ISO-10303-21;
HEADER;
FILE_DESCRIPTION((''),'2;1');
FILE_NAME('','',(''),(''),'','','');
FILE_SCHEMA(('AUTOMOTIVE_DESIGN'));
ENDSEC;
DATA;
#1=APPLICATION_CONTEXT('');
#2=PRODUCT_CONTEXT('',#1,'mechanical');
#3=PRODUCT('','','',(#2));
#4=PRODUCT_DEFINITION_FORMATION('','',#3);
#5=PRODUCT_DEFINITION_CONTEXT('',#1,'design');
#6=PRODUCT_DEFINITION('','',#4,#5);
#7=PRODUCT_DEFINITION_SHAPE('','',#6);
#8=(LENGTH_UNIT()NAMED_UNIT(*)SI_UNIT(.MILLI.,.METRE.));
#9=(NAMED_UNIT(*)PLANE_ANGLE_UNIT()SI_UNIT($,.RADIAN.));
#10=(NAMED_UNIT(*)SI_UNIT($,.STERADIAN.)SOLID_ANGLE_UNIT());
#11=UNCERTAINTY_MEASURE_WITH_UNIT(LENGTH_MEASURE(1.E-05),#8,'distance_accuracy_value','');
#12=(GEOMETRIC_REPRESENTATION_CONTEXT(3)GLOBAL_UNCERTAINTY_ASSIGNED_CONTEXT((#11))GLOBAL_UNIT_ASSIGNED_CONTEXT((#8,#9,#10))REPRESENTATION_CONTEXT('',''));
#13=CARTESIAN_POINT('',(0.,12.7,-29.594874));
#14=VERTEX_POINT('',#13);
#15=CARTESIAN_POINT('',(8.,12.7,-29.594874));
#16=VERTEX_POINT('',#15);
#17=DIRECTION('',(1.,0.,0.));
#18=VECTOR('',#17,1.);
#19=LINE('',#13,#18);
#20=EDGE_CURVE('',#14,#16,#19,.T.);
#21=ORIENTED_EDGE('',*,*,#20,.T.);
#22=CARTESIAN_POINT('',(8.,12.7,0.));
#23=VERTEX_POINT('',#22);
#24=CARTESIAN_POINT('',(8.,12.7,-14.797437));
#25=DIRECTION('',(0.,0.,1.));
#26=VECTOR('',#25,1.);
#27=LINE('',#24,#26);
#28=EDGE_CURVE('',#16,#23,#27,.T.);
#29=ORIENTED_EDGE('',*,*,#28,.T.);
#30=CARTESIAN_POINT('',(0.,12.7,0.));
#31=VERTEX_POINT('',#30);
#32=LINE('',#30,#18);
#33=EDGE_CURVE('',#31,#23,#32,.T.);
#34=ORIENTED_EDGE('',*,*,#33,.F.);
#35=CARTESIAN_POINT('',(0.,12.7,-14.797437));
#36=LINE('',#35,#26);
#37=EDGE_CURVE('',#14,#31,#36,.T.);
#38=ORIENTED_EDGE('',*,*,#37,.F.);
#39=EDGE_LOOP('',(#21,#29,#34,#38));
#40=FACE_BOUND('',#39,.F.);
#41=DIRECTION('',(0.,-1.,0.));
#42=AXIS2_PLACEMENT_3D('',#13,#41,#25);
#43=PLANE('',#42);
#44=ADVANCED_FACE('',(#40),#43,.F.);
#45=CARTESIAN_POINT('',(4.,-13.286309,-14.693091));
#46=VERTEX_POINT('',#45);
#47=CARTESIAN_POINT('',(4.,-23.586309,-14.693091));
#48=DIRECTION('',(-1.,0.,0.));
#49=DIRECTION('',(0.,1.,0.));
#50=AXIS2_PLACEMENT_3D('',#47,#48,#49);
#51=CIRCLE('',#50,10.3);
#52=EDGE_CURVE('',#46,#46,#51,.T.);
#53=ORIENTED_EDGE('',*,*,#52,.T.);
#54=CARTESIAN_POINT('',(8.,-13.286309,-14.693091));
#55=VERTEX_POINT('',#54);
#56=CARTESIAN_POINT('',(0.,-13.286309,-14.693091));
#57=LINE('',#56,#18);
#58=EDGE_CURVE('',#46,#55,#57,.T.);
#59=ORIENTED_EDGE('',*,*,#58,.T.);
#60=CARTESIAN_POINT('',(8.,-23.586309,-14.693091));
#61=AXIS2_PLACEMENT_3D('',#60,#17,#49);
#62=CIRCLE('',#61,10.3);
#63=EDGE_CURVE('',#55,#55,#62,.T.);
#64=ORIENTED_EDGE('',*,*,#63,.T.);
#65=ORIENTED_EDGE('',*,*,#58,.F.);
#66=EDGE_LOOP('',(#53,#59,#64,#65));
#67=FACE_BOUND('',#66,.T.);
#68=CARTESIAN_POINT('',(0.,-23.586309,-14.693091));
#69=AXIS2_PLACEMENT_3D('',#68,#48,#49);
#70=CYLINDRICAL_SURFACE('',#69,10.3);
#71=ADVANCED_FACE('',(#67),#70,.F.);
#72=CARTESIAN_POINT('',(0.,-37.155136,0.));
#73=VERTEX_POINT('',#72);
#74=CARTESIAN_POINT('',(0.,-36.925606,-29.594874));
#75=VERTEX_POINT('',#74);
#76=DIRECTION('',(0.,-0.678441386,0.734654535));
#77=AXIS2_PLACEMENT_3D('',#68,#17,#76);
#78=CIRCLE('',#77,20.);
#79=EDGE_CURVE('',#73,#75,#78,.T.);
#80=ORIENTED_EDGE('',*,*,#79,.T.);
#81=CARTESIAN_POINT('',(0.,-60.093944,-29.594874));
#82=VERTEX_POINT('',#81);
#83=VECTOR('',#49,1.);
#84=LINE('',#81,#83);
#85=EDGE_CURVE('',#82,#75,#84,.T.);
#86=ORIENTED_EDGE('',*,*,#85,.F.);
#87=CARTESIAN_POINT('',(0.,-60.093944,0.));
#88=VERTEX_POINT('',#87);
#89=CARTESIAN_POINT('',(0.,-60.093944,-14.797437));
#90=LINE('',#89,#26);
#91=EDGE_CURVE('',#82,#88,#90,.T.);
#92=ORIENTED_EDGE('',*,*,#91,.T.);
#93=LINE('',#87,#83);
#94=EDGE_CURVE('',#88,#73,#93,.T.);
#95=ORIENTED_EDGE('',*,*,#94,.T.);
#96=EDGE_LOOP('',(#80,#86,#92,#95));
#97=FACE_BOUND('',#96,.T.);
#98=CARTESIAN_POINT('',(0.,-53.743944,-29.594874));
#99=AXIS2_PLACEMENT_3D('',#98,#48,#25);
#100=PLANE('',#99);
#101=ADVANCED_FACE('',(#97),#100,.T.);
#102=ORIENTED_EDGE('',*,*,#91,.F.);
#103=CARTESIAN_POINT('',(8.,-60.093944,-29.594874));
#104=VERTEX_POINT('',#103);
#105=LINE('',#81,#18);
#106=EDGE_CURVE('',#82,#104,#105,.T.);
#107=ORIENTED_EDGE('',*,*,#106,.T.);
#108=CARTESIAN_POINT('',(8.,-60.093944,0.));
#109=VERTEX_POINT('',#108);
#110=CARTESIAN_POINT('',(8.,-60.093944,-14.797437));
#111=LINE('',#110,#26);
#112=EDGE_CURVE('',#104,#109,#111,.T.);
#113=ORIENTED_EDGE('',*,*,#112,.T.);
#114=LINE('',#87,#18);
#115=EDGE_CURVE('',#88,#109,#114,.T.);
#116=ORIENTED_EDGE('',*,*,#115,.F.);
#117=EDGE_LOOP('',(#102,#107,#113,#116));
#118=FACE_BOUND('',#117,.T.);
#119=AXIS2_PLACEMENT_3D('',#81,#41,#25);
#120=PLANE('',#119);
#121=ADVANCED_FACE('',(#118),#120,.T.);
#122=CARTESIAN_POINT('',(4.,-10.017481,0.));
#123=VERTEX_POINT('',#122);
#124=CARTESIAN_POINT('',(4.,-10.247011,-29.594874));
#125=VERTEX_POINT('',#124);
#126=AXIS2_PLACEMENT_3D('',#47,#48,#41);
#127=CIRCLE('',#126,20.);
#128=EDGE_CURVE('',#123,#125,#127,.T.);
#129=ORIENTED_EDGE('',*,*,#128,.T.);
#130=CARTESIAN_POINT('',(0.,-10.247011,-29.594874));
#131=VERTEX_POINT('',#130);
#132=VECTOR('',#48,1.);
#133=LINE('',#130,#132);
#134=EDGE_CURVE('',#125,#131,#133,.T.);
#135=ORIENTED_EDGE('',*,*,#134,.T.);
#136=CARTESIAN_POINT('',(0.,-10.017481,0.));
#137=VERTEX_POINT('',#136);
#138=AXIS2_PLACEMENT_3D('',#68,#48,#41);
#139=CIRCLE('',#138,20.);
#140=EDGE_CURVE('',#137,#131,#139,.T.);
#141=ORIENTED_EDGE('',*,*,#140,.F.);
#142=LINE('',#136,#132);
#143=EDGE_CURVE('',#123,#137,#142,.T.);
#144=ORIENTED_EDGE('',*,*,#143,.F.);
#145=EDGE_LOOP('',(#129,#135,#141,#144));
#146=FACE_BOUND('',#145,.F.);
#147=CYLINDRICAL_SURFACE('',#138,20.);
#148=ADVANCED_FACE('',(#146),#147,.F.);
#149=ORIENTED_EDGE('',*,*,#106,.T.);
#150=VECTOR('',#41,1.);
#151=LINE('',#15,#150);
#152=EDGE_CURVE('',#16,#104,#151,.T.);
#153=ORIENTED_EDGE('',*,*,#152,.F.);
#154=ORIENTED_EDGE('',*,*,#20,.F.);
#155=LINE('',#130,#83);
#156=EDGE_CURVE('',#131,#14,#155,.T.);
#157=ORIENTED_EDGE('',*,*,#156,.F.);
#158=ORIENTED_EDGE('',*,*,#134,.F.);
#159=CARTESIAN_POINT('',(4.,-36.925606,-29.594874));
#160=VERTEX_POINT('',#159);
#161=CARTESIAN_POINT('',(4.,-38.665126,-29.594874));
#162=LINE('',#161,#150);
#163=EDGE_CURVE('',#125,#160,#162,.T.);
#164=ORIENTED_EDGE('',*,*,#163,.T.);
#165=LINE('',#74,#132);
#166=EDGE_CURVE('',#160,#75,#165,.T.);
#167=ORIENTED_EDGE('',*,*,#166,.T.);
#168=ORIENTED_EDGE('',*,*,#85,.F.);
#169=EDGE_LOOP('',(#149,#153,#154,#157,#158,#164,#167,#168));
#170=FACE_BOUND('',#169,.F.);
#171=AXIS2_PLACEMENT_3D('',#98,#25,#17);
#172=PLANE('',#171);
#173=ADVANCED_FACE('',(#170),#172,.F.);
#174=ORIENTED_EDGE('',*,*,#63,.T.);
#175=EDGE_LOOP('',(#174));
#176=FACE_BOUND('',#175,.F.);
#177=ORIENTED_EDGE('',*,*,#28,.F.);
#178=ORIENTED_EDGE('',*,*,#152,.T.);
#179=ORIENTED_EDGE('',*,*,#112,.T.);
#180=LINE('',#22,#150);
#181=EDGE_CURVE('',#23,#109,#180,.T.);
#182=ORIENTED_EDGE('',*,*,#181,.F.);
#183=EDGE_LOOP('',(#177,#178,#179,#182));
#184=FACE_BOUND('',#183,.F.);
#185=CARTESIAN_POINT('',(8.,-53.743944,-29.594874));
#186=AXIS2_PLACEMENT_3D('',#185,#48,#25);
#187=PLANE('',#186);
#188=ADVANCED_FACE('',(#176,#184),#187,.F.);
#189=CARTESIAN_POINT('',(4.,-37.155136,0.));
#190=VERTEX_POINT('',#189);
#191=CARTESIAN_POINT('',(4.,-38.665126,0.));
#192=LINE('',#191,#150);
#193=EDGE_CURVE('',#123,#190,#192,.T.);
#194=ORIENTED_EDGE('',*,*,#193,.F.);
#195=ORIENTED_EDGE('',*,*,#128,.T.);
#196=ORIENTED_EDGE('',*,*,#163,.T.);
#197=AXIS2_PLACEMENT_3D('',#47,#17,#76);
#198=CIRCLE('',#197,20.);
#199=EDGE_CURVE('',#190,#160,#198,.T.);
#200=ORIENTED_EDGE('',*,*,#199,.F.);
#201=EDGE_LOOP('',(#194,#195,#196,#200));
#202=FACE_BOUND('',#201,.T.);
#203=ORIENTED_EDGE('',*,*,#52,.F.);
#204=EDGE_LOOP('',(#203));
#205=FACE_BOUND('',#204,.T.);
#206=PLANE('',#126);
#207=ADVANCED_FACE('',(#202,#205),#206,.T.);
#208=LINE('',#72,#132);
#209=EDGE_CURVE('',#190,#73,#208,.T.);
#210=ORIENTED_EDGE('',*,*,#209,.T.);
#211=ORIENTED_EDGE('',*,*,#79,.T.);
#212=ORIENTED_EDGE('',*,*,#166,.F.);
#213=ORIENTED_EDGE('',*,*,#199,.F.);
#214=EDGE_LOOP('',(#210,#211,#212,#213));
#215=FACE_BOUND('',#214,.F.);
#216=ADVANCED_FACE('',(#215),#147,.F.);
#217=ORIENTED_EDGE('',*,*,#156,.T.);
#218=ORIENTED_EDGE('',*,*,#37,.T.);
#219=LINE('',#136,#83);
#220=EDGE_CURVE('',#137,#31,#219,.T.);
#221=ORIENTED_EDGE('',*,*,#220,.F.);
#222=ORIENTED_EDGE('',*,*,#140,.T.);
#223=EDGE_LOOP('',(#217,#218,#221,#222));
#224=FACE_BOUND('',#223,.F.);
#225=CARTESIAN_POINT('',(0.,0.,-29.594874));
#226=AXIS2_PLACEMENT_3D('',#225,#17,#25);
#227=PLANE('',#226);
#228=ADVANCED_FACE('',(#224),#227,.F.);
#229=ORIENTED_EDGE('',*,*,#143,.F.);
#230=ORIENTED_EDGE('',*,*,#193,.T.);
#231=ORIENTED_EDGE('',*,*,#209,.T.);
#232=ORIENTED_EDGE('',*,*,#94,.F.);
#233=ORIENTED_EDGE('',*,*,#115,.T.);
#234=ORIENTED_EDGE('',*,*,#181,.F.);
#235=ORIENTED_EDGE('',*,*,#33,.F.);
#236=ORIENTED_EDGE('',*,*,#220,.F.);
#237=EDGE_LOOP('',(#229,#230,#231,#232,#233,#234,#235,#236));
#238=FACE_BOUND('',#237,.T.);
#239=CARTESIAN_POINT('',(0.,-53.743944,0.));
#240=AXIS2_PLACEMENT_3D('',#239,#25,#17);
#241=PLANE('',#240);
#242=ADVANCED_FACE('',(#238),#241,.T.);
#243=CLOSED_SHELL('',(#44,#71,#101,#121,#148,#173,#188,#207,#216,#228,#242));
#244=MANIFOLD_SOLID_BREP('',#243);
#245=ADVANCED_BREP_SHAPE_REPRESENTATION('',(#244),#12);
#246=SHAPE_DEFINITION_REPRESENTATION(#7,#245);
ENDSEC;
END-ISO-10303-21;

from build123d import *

# Parameters (mm, degrees)
F0_W     = 53.743943572
F0_H     = 29.5948740095
F0_R     = 10.3
F1_DEPTH = 8
F2_R     = 20
F3_DEPTH = 4
F4_DEPTH = 12.7
F5_DEPTH = 6.35


with BuildPart() as f1:
    # F0 (on Right) → F1 (new body)
    with BuildSketch(Plane.YZ):
        with Locations((-26.871971786, -14.7974370047)):
            Rectangle(F0_W, F0_H)
        with Locations((-23.5863085836, -14.6930906922)):
            Circle(F0_R, mode=Mode.SUBTRACT)
    extrude(amount=F1_DEPTH)

    # F2 (on face) → F3 (cut)
    with BuildSketch(Plane(origin=(0, 0, 0), x_dir=(0, -1, 0), z_dir=(-1, 0, 0))):
        with Locations((23.5863085836, -14.6930906922)):
            Circle(F2_R)
    extrude(amount=-F3_DEPTH, mode=Mode.SUBTRACT)

    # F4 (add): a face of the model
    f4_faces = [f1.faces().sort_by_distance(p)[0] for p in [
        (4, 0, -14.7974370047),
    ]]
    extrude(f4_faces, amount=F4_DEPTH)

    # F5 (add): a face of the model
    f5_faces = [f1.faces().sort_by_distance(p)[0] for p in [
        (4, -53.743943572, -14.7974370047),
    ]]
    extrude(f5_faces, amount=F5_DEPTH)


solid = f1.part
